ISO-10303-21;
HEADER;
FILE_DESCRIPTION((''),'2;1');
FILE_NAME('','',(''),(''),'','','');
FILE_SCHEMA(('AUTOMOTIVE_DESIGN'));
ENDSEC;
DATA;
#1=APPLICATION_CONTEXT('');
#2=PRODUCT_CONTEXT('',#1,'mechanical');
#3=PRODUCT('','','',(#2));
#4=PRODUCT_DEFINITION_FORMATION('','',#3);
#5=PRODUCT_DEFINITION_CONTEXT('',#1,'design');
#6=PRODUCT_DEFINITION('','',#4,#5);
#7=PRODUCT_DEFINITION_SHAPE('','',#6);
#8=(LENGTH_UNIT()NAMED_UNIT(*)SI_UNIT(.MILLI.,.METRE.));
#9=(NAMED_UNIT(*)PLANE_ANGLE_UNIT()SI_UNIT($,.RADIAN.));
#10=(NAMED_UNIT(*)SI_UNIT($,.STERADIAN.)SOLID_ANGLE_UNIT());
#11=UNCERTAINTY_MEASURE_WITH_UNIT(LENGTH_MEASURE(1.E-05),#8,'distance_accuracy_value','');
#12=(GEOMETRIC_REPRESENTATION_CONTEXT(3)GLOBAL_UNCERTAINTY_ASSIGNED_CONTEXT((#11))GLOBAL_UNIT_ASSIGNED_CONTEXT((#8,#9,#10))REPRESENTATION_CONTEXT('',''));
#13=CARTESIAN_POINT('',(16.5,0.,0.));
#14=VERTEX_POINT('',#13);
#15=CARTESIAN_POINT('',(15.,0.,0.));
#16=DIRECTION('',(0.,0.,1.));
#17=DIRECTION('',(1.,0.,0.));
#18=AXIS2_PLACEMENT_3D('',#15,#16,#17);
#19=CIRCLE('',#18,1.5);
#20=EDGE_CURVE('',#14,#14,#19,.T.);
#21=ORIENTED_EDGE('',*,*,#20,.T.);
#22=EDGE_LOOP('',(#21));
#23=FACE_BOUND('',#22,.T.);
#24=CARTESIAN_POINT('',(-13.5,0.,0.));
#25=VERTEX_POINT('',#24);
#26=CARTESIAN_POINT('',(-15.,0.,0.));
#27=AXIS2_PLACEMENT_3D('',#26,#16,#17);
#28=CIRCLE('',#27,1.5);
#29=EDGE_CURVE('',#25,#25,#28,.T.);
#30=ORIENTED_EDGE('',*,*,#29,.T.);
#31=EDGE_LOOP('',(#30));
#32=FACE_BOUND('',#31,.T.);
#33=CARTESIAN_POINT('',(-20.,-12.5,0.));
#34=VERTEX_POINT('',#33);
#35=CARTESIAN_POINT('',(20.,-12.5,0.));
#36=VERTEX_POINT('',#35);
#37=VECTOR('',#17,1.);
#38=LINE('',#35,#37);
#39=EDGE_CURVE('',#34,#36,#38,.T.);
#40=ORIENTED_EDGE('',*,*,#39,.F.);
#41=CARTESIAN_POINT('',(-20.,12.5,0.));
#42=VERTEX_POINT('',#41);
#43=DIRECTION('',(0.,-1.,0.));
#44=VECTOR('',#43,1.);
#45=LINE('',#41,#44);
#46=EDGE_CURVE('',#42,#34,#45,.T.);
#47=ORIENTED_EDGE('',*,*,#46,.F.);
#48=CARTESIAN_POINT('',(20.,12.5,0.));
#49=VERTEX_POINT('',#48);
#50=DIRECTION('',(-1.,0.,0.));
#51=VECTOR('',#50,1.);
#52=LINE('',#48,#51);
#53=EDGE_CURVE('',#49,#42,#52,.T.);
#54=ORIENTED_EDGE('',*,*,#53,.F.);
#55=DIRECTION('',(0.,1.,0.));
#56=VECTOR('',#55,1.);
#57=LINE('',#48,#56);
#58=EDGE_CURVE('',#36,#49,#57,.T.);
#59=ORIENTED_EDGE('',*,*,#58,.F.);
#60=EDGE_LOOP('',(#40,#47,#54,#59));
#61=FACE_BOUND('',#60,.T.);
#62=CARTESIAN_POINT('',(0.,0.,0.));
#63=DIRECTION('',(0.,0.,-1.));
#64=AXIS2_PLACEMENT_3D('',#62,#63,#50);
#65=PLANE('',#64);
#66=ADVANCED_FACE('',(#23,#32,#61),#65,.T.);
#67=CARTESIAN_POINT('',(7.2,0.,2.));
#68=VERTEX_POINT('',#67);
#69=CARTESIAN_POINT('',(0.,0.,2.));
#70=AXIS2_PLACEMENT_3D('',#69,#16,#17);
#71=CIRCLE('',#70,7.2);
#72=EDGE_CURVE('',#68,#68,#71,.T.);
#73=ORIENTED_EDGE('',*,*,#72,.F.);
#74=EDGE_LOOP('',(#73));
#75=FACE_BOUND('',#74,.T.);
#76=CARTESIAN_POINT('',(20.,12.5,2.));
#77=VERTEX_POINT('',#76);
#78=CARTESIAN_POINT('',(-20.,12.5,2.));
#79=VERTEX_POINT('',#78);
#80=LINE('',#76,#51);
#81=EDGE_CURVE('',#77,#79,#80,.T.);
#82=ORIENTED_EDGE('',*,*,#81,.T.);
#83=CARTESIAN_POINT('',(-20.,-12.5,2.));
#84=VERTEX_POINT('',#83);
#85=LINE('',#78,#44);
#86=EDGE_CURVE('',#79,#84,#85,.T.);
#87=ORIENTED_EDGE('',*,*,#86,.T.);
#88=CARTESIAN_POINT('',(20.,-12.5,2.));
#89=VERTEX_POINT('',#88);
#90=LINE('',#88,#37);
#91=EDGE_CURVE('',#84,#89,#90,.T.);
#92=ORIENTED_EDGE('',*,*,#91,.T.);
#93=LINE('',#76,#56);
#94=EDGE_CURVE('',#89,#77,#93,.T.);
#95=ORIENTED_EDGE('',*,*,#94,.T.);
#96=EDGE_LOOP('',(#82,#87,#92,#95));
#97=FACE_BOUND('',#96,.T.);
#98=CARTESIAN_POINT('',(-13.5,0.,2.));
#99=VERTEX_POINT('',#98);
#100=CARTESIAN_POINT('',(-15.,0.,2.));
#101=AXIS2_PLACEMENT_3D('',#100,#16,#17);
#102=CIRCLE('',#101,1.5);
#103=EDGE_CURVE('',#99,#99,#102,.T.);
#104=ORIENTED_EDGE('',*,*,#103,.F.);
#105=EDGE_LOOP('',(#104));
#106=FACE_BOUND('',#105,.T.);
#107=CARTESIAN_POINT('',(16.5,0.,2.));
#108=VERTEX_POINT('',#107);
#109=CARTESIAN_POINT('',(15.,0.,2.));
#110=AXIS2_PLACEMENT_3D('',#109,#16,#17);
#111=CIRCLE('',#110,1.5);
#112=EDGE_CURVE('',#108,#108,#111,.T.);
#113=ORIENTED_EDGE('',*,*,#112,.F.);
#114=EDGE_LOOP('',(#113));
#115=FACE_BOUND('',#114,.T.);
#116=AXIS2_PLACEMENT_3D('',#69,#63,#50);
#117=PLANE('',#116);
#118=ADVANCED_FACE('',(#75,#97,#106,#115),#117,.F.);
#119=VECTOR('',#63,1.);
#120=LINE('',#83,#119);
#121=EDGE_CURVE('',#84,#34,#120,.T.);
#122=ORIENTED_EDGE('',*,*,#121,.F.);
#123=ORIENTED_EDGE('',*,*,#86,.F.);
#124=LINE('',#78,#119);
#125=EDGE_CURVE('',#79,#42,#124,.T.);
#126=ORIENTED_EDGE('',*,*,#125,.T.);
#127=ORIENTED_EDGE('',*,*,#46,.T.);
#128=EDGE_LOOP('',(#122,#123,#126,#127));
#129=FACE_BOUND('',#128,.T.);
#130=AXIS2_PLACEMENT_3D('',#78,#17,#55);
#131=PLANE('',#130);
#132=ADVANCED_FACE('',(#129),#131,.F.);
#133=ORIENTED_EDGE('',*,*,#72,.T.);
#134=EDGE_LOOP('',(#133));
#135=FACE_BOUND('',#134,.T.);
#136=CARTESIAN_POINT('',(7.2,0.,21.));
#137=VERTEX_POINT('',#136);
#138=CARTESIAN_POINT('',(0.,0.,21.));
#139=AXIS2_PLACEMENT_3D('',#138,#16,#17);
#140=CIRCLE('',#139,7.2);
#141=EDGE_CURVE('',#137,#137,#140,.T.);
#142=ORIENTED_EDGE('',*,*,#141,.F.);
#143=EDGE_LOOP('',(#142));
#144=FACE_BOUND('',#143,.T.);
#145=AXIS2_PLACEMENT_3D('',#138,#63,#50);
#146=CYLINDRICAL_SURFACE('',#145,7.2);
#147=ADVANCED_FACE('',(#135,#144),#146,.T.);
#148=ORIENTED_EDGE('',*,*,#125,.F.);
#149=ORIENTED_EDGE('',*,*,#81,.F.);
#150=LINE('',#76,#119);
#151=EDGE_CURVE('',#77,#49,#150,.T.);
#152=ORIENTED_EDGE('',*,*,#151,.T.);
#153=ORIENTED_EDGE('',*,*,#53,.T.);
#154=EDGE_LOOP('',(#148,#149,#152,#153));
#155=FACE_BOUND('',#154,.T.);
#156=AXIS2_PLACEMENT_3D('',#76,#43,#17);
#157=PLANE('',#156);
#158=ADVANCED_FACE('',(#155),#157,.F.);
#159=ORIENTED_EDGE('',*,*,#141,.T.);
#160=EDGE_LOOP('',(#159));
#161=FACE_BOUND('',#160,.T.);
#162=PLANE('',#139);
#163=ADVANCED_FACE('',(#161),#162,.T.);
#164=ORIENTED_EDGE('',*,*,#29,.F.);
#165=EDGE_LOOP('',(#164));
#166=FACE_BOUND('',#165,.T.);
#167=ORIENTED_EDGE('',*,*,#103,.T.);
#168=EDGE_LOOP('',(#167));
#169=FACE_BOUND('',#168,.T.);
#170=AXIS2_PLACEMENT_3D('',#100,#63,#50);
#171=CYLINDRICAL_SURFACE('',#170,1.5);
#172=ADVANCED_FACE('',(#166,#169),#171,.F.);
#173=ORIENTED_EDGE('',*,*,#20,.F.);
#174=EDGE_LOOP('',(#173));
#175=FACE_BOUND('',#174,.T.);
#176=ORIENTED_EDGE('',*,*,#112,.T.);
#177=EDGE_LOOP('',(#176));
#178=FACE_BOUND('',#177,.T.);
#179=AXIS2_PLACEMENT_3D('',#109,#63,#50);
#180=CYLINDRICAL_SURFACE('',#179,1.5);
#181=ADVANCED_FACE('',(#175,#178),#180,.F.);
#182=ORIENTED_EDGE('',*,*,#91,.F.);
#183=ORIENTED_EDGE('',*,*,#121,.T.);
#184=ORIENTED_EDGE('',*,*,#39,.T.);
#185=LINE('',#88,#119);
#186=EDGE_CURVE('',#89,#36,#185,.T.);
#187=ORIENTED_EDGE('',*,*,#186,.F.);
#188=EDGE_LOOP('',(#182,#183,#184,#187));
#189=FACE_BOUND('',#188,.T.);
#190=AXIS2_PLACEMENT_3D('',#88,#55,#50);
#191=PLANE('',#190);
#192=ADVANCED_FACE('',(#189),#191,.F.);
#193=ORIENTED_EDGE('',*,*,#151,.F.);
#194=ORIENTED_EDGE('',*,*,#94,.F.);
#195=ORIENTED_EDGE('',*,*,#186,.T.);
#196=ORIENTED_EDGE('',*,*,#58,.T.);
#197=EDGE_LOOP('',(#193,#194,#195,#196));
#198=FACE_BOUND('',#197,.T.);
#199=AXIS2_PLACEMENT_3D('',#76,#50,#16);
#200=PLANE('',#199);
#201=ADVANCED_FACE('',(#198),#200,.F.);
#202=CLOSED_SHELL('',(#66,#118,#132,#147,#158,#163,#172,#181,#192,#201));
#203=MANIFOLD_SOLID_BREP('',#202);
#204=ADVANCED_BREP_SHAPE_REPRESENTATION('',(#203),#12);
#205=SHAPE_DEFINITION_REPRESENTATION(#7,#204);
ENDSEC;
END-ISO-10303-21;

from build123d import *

# Parameters (mm, degrees)
SKETCH1_W           = 40
SKETCH1_H           = 25
SKETCH1_R           = 1.5
BOSS_EXTRUDE1_DEPTH = 2
SKETCH2_R           = 7.2
BOSS_EXTRUDE2_DEPTH = 19


with BuildPart() as part:
    # Sketch1 → Boss-Extrude1 (new body)
    with BuildSketch(Plane.XY):
        Rectangle(SKETCH1_W, SKETCH1_H)
        with Locations((15, 0)):
            Circle(SKETCH1_R, mode=Mode.SUBTRACT)
        with Locations((-15, 0)):
            Circle(SKETCH1_R, mode=Mode.SUBTRACT)
    extrude(amount=BOSS_EXTRUDE1_DEPTH)

    # Sketch2 → Boss-Extrude2 (add)
    with BuildSketch(Plane.XY.offset(2)):
        Circle(SKETCH2_R)
    extrude(amount=BOSS_EXTRUDE2_DEPTH)


solid = part.part
